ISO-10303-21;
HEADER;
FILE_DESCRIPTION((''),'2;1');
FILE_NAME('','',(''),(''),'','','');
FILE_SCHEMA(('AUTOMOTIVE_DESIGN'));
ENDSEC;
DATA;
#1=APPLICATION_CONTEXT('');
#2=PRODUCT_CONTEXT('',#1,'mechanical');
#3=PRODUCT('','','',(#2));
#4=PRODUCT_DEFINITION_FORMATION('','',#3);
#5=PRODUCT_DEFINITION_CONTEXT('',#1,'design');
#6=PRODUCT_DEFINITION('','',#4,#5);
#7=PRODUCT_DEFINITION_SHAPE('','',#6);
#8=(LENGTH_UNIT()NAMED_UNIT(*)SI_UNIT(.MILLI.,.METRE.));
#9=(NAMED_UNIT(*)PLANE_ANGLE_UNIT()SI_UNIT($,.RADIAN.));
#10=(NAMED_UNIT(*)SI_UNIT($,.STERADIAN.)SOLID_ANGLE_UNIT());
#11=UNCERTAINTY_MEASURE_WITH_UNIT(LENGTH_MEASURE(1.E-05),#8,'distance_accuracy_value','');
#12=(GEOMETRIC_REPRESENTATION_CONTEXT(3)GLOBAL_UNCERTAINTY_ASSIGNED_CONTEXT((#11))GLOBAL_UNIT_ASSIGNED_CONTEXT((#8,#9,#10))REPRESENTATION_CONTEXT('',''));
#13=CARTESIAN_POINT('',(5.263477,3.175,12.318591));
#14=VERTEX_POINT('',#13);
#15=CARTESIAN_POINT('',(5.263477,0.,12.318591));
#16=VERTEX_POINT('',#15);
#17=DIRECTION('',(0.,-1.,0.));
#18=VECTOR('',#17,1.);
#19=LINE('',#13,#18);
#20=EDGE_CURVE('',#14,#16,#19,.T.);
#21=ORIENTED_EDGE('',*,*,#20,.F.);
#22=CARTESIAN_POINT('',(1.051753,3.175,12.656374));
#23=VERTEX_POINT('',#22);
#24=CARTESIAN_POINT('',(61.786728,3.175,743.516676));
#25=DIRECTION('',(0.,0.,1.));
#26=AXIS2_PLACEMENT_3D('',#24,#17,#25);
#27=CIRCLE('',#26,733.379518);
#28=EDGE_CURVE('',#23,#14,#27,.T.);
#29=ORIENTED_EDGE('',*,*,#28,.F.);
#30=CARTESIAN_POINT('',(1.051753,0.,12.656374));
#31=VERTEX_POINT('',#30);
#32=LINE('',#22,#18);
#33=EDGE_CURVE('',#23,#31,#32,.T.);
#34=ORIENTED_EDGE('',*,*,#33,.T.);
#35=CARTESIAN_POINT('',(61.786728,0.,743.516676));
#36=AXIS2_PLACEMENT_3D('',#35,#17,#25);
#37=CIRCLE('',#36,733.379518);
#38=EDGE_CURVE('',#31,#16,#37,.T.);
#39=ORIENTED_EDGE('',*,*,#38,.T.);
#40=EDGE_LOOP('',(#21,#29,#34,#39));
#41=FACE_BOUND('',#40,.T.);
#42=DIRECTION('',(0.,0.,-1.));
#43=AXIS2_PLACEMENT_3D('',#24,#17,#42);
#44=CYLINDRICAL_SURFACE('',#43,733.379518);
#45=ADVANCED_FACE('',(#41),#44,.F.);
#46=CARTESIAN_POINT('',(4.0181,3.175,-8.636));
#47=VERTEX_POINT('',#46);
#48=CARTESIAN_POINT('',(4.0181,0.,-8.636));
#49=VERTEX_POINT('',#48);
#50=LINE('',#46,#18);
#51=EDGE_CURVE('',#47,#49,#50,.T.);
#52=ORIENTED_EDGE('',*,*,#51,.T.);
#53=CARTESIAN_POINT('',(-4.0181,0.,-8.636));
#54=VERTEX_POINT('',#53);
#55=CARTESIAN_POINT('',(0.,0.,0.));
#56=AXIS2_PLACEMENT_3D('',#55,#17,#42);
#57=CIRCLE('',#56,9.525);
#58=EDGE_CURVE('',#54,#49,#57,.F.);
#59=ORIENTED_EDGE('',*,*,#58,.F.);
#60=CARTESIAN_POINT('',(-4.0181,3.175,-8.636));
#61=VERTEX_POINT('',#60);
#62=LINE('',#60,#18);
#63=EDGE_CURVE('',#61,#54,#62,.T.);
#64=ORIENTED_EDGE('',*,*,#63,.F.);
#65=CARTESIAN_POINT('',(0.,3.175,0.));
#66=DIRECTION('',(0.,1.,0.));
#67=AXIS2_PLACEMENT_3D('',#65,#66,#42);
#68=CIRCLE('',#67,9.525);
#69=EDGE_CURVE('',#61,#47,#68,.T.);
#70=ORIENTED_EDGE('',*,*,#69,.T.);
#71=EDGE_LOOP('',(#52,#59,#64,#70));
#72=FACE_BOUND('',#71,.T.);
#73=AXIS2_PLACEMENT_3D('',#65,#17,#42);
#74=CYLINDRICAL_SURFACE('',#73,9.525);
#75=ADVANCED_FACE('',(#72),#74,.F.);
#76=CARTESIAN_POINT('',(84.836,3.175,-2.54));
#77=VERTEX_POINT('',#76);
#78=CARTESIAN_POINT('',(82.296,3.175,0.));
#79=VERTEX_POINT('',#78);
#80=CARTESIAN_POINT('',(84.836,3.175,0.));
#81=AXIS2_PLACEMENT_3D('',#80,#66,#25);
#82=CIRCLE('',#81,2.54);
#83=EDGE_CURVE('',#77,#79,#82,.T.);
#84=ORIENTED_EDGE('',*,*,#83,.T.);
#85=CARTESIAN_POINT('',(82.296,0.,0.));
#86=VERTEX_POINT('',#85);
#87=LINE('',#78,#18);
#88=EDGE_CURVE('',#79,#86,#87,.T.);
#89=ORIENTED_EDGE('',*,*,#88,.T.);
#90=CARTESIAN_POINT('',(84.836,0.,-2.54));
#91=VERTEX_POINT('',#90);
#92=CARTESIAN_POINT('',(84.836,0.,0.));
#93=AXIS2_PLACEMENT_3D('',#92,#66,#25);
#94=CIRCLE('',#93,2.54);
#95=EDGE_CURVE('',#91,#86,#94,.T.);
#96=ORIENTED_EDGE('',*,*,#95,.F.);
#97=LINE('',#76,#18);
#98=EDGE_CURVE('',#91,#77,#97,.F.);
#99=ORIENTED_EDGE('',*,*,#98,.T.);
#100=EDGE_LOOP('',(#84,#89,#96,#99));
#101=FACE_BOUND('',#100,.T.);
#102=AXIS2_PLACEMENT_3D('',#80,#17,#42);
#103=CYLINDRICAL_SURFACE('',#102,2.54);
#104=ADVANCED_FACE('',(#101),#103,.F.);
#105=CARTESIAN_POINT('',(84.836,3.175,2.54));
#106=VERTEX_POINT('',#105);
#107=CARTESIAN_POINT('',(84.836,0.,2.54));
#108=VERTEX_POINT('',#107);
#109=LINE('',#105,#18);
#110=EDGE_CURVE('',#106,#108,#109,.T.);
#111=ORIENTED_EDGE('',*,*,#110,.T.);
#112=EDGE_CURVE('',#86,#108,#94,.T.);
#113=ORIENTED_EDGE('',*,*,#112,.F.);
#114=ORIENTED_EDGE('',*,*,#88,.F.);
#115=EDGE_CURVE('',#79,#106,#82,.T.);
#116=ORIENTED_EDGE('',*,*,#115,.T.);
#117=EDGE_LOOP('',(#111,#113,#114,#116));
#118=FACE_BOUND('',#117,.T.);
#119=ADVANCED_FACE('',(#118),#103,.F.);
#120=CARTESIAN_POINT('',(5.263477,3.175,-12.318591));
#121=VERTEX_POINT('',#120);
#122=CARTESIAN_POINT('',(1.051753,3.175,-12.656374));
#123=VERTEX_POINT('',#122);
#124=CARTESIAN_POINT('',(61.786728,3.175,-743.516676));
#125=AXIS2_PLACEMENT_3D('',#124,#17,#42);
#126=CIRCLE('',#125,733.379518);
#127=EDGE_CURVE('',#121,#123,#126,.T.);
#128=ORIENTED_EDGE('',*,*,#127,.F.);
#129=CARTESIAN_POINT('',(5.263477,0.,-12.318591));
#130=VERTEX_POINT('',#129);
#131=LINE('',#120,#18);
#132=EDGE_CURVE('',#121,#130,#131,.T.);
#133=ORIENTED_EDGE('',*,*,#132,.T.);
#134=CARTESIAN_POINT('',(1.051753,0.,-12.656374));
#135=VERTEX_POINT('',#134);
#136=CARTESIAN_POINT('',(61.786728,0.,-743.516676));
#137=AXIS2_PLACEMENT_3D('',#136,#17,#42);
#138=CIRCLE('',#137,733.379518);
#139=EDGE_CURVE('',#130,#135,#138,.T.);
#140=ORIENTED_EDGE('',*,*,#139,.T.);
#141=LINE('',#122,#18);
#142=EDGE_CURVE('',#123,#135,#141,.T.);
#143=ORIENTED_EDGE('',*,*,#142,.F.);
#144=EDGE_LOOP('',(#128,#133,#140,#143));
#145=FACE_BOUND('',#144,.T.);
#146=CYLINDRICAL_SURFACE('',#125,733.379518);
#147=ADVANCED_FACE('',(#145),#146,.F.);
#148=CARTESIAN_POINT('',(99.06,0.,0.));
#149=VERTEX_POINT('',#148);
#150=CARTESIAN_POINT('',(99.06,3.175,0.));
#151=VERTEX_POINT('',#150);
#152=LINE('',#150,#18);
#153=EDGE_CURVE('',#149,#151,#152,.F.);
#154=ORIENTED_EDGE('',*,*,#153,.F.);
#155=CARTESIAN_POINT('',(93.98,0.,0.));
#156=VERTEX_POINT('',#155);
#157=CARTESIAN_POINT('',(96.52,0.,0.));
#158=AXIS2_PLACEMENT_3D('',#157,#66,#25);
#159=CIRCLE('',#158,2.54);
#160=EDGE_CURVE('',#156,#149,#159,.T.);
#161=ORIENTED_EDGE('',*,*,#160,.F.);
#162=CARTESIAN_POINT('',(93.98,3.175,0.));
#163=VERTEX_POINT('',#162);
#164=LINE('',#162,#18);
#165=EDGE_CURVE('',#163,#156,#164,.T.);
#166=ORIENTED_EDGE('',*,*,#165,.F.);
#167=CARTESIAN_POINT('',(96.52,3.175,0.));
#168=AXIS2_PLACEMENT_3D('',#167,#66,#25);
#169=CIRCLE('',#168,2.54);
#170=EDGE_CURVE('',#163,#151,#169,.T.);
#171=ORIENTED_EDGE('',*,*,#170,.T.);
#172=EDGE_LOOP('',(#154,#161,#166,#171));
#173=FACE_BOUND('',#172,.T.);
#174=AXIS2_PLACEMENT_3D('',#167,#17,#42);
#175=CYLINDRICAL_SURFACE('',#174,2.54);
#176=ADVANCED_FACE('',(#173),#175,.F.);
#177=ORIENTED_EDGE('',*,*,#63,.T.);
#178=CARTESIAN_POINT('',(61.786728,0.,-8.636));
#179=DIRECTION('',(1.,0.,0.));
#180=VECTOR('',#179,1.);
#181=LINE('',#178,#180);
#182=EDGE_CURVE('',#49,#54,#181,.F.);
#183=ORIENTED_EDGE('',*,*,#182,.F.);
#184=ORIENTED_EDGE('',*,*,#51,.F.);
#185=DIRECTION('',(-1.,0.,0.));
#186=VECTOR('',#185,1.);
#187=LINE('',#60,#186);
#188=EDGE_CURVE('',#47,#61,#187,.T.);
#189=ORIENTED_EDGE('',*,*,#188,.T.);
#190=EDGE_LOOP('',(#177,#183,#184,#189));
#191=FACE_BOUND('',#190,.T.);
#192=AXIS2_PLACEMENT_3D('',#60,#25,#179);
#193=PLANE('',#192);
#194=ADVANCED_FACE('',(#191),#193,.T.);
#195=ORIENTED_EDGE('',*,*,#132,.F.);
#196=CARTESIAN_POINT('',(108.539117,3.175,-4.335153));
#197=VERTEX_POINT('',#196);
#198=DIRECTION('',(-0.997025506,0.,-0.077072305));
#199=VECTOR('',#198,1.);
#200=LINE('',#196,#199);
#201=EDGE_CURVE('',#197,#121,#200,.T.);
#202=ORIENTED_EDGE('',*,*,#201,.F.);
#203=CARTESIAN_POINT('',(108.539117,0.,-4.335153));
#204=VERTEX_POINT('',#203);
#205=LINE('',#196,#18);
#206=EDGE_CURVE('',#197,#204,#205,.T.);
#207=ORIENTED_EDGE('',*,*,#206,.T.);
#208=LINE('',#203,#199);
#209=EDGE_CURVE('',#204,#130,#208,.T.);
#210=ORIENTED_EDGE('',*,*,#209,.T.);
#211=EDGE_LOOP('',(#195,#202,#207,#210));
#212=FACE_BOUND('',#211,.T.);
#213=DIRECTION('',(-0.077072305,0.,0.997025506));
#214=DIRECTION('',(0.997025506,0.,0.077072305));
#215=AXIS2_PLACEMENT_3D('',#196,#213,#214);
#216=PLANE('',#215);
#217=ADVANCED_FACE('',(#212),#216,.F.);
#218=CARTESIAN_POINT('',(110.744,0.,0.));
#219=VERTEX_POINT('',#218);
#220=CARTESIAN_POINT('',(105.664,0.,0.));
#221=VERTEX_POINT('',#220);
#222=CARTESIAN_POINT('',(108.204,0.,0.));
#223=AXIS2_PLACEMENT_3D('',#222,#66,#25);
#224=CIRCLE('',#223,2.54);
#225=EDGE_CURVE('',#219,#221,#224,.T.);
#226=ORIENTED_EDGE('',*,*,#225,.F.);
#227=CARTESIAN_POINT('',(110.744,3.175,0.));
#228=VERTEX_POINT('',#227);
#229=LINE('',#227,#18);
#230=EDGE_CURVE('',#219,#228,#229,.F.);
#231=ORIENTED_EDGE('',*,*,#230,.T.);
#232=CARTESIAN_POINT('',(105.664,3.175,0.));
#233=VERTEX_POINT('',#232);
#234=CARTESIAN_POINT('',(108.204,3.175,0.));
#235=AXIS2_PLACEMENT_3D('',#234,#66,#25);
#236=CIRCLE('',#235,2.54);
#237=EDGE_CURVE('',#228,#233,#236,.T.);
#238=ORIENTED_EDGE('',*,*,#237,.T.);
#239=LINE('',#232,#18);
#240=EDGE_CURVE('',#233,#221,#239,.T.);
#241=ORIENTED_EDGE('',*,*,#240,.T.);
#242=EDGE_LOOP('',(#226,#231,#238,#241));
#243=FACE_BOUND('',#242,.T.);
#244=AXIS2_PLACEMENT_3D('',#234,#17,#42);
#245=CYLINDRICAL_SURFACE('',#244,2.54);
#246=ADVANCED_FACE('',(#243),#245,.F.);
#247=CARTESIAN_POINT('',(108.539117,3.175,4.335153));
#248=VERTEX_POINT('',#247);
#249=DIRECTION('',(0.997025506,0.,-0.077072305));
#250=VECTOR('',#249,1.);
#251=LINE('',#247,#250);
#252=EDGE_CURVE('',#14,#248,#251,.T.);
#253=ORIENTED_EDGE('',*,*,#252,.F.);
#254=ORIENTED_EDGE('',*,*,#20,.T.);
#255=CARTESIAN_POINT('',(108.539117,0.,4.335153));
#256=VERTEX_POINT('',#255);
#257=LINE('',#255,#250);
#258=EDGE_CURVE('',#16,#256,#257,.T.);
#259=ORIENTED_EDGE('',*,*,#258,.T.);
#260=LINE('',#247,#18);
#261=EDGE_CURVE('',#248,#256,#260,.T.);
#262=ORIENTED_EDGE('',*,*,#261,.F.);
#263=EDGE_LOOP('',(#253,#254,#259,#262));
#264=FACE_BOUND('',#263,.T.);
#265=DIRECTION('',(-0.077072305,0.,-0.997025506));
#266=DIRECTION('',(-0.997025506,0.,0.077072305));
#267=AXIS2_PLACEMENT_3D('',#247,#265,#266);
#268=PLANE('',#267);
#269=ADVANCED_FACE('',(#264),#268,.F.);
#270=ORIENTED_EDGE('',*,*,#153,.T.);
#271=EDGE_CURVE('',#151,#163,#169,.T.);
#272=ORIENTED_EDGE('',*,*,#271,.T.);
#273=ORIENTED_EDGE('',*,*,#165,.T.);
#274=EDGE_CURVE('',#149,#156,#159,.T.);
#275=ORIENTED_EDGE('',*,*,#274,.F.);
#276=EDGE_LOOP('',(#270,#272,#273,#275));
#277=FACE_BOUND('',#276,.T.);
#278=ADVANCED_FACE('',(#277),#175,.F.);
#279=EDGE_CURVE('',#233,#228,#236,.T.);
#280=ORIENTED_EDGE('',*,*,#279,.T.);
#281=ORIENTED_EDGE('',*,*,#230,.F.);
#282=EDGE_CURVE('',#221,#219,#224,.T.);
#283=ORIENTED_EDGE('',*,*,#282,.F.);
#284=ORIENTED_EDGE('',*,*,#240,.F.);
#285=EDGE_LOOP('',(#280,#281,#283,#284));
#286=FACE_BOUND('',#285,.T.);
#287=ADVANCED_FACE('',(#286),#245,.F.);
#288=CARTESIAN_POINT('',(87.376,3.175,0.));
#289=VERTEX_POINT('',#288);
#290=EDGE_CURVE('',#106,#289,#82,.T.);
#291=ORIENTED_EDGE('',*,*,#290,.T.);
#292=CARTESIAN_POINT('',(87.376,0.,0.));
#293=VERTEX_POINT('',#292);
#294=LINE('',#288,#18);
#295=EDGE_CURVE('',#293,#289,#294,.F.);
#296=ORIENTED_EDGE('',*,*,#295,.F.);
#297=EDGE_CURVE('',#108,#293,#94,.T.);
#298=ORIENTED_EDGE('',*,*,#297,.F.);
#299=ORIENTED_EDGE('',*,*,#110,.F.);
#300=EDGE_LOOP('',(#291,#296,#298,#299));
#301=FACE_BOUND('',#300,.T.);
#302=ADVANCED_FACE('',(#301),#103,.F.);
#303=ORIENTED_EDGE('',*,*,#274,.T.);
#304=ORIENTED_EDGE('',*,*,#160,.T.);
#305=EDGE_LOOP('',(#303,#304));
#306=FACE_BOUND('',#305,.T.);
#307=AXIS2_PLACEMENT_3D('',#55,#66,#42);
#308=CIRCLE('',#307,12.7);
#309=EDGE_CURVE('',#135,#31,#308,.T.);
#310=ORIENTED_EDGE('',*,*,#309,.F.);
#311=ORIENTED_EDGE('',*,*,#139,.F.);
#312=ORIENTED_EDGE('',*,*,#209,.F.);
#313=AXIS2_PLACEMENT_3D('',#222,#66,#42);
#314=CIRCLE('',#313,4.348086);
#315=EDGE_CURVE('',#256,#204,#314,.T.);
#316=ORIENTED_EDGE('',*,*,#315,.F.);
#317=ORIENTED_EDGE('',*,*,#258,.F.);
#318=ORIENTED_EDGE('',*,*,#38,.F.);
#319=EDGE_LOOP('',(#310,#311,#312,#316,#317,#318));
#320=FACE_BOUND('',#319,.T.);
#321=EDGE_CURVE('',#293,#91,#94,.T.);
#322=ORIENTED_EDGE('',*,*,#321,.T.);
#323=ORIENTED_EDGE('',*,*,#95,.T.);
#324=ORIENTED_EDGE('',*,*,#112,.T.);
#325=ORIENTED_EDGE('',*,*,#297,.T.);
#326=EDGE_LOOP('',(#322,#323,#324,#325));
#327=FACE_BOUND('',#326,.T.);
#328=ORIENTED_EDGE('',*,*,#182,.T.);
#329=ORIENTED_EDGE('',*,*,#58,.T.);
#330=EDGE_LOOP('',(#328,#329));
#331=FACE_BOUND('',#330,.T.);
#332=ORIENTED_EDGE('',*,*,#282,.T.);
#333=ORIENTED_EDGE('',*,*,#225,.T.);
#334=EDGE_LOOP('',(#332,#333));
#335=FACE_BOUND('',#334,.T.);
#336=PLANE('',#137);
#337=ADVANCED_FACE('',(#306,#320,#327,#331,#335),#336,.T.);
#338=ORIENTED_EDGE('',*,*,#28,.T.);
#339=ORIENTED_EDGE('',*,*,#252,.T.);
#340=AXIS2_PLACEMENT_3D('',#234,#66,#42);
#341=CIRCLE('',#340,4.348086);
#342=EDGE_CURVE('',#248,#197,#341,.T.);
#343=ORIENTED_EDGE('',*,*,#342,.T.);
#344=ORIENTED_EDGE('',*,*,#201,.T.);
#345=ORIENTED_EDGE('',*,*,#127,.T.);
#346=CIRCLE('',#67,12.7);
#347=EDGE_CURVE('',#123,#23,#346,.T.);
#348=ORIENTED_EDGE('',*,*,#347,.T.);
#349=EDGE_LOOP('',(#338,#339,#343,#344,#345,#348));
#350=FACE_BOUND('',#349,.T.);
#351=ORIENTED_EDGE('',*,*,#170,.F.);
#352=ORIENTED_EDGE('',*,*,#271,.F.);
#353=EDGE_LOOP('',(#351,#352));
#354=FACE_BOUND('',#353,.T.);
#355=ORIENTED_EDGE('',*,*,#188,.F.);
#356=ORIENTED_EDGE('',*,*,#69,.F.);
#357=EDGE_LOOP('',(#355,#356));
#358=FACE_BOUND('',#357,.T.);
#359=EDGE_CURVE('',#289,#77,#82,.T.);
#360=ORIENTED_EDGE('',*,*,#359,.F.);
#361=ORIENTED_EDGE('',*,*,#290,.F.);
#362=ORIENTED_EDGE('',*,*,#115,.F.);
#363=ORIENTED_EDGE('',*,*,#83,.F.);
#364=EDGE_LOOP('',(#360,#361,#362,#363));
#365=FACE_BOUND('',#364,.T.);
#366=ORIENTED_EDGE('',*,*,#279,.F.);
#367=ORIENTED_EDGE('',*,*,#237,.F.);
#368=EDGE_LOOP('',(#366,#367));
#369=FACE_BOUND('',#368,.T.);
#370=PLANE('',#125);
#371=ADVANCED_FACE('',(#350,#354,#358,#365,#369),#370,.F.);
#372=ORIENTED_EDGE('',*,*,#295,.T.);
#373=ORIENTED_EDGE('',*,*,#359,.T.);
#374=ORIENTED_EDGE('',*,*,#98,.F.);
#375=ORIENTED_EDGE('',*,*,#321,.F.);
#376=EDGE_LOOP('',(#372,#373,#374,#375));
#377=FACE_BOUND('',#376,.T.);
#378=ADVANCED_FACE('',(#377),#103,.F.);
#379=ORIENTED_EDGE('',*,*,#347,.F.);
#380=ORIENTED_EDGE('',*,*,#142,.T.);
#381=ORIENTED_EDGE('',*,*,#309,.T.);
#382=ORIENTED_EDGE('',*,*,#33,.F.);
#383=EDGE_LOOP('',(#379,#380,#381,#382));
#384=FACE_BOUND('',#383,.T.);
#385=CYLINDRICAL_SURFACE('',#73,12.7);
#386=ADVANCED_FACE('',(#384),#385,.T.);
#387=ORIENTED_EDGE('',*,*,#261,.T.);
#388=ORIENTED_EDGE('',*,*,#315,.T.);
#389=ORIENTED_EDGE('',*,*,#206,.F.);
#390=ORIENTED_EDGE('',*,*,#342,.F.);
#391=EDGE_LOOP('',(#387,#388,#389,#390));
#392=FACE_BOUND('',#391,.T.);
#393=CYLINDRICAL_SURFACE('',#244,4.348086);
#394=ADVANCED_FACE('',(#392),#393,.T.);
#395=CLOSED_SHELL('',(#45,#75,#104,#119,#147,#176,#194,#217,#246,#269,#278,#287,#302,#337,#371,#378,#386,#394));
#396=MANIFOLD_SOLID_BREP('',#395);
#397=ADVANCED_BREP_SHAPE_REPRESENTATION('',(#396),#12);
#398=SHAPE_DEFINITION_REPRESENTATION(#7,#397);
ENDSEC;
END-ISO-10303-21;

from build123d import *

# Parameters (mm, degrees)
SKETCH1_R               = 2.54
BOSS_EXTRUDE1_DEPTH     = 3.175
CUT_EXTRUDE1_DEPTH      = 114.310823319
CUT_EXTRUDE1_DEPTH_BACK = 114.310823319


with BuildPart() as part:
    # Sketch1 → Boss-Extrude1 (new body)
    with BuildSketch(Plane(origin=(0, 0, 0), x_dir=(1, 0, 0), z_dir=(0, 1, 0))):
        with BuildLine():
            Line((108.539117009, 4.335152614), (5.263477484, 12.318590912))
            ThreePointArc((5.263477484, 12.318590912), (3.157372026, 12.484449553), (1.051753091, 12.656374498))
            ThreePointArc((1.051753091, 12.656374498), (-12.7, 0), (1.051753091, -12.656374498))
            ThreePointArc((1.051753091, -12.656374498), (3.157372026, -12.484449553), (5.263477484, -12.318590912))
            Line((5.263477484, -12.318590912), (108.539117009, -4.335152614))
            ThreePointArc((108.539117009, -4.335152614), (112.55208597, 0), (108.539117009, 4.335152614))
        make_face()
        with Locations(Location((108.204, 0, 0), (0, 0, 270))):
            Circle(SKETCH1_R, mode=Mode.SUBTRACT)
        with Locations(Location((96.52, 0, 0), (0, 0, 270))):
            Circle(SKETCH1_R, mode=Mode.SUBTRACT)
        with Locations(Location((84.836, 0, 0), (0, 0, 270))):
            Circle(SKETCH1_R, mode=Mode.SUBTRACT)
    extrude(amount=BOSS_EXTRUDE1_DEPTH)

    # Sketch3 → Cut-Extrude1 (cut, two sides: drawn at the far end of the back side and taken through both)
    with BuildSketch(Plane(origin=(0, 0, 0), x_dir=(1, 0, 0), z_dir=(0, 1, 0)).offset(-CUT_EXTRUDE1_DEPTH_BACK)):
        with BuildLine():
            Line((-4.018100173, 8.636), (4.018100173, 8.636))
            ThreePointArc((4.018100173, 8.636), (0, -9.525), (-4.018100173, 8.636))
        make_face()
    extrude(amount=CUT_EXTRUDE1_DEPTH + CUT_EXTRUDE1_DEPTH_BACK, mode=Mode.SUBTRACT)


solid = part.part
